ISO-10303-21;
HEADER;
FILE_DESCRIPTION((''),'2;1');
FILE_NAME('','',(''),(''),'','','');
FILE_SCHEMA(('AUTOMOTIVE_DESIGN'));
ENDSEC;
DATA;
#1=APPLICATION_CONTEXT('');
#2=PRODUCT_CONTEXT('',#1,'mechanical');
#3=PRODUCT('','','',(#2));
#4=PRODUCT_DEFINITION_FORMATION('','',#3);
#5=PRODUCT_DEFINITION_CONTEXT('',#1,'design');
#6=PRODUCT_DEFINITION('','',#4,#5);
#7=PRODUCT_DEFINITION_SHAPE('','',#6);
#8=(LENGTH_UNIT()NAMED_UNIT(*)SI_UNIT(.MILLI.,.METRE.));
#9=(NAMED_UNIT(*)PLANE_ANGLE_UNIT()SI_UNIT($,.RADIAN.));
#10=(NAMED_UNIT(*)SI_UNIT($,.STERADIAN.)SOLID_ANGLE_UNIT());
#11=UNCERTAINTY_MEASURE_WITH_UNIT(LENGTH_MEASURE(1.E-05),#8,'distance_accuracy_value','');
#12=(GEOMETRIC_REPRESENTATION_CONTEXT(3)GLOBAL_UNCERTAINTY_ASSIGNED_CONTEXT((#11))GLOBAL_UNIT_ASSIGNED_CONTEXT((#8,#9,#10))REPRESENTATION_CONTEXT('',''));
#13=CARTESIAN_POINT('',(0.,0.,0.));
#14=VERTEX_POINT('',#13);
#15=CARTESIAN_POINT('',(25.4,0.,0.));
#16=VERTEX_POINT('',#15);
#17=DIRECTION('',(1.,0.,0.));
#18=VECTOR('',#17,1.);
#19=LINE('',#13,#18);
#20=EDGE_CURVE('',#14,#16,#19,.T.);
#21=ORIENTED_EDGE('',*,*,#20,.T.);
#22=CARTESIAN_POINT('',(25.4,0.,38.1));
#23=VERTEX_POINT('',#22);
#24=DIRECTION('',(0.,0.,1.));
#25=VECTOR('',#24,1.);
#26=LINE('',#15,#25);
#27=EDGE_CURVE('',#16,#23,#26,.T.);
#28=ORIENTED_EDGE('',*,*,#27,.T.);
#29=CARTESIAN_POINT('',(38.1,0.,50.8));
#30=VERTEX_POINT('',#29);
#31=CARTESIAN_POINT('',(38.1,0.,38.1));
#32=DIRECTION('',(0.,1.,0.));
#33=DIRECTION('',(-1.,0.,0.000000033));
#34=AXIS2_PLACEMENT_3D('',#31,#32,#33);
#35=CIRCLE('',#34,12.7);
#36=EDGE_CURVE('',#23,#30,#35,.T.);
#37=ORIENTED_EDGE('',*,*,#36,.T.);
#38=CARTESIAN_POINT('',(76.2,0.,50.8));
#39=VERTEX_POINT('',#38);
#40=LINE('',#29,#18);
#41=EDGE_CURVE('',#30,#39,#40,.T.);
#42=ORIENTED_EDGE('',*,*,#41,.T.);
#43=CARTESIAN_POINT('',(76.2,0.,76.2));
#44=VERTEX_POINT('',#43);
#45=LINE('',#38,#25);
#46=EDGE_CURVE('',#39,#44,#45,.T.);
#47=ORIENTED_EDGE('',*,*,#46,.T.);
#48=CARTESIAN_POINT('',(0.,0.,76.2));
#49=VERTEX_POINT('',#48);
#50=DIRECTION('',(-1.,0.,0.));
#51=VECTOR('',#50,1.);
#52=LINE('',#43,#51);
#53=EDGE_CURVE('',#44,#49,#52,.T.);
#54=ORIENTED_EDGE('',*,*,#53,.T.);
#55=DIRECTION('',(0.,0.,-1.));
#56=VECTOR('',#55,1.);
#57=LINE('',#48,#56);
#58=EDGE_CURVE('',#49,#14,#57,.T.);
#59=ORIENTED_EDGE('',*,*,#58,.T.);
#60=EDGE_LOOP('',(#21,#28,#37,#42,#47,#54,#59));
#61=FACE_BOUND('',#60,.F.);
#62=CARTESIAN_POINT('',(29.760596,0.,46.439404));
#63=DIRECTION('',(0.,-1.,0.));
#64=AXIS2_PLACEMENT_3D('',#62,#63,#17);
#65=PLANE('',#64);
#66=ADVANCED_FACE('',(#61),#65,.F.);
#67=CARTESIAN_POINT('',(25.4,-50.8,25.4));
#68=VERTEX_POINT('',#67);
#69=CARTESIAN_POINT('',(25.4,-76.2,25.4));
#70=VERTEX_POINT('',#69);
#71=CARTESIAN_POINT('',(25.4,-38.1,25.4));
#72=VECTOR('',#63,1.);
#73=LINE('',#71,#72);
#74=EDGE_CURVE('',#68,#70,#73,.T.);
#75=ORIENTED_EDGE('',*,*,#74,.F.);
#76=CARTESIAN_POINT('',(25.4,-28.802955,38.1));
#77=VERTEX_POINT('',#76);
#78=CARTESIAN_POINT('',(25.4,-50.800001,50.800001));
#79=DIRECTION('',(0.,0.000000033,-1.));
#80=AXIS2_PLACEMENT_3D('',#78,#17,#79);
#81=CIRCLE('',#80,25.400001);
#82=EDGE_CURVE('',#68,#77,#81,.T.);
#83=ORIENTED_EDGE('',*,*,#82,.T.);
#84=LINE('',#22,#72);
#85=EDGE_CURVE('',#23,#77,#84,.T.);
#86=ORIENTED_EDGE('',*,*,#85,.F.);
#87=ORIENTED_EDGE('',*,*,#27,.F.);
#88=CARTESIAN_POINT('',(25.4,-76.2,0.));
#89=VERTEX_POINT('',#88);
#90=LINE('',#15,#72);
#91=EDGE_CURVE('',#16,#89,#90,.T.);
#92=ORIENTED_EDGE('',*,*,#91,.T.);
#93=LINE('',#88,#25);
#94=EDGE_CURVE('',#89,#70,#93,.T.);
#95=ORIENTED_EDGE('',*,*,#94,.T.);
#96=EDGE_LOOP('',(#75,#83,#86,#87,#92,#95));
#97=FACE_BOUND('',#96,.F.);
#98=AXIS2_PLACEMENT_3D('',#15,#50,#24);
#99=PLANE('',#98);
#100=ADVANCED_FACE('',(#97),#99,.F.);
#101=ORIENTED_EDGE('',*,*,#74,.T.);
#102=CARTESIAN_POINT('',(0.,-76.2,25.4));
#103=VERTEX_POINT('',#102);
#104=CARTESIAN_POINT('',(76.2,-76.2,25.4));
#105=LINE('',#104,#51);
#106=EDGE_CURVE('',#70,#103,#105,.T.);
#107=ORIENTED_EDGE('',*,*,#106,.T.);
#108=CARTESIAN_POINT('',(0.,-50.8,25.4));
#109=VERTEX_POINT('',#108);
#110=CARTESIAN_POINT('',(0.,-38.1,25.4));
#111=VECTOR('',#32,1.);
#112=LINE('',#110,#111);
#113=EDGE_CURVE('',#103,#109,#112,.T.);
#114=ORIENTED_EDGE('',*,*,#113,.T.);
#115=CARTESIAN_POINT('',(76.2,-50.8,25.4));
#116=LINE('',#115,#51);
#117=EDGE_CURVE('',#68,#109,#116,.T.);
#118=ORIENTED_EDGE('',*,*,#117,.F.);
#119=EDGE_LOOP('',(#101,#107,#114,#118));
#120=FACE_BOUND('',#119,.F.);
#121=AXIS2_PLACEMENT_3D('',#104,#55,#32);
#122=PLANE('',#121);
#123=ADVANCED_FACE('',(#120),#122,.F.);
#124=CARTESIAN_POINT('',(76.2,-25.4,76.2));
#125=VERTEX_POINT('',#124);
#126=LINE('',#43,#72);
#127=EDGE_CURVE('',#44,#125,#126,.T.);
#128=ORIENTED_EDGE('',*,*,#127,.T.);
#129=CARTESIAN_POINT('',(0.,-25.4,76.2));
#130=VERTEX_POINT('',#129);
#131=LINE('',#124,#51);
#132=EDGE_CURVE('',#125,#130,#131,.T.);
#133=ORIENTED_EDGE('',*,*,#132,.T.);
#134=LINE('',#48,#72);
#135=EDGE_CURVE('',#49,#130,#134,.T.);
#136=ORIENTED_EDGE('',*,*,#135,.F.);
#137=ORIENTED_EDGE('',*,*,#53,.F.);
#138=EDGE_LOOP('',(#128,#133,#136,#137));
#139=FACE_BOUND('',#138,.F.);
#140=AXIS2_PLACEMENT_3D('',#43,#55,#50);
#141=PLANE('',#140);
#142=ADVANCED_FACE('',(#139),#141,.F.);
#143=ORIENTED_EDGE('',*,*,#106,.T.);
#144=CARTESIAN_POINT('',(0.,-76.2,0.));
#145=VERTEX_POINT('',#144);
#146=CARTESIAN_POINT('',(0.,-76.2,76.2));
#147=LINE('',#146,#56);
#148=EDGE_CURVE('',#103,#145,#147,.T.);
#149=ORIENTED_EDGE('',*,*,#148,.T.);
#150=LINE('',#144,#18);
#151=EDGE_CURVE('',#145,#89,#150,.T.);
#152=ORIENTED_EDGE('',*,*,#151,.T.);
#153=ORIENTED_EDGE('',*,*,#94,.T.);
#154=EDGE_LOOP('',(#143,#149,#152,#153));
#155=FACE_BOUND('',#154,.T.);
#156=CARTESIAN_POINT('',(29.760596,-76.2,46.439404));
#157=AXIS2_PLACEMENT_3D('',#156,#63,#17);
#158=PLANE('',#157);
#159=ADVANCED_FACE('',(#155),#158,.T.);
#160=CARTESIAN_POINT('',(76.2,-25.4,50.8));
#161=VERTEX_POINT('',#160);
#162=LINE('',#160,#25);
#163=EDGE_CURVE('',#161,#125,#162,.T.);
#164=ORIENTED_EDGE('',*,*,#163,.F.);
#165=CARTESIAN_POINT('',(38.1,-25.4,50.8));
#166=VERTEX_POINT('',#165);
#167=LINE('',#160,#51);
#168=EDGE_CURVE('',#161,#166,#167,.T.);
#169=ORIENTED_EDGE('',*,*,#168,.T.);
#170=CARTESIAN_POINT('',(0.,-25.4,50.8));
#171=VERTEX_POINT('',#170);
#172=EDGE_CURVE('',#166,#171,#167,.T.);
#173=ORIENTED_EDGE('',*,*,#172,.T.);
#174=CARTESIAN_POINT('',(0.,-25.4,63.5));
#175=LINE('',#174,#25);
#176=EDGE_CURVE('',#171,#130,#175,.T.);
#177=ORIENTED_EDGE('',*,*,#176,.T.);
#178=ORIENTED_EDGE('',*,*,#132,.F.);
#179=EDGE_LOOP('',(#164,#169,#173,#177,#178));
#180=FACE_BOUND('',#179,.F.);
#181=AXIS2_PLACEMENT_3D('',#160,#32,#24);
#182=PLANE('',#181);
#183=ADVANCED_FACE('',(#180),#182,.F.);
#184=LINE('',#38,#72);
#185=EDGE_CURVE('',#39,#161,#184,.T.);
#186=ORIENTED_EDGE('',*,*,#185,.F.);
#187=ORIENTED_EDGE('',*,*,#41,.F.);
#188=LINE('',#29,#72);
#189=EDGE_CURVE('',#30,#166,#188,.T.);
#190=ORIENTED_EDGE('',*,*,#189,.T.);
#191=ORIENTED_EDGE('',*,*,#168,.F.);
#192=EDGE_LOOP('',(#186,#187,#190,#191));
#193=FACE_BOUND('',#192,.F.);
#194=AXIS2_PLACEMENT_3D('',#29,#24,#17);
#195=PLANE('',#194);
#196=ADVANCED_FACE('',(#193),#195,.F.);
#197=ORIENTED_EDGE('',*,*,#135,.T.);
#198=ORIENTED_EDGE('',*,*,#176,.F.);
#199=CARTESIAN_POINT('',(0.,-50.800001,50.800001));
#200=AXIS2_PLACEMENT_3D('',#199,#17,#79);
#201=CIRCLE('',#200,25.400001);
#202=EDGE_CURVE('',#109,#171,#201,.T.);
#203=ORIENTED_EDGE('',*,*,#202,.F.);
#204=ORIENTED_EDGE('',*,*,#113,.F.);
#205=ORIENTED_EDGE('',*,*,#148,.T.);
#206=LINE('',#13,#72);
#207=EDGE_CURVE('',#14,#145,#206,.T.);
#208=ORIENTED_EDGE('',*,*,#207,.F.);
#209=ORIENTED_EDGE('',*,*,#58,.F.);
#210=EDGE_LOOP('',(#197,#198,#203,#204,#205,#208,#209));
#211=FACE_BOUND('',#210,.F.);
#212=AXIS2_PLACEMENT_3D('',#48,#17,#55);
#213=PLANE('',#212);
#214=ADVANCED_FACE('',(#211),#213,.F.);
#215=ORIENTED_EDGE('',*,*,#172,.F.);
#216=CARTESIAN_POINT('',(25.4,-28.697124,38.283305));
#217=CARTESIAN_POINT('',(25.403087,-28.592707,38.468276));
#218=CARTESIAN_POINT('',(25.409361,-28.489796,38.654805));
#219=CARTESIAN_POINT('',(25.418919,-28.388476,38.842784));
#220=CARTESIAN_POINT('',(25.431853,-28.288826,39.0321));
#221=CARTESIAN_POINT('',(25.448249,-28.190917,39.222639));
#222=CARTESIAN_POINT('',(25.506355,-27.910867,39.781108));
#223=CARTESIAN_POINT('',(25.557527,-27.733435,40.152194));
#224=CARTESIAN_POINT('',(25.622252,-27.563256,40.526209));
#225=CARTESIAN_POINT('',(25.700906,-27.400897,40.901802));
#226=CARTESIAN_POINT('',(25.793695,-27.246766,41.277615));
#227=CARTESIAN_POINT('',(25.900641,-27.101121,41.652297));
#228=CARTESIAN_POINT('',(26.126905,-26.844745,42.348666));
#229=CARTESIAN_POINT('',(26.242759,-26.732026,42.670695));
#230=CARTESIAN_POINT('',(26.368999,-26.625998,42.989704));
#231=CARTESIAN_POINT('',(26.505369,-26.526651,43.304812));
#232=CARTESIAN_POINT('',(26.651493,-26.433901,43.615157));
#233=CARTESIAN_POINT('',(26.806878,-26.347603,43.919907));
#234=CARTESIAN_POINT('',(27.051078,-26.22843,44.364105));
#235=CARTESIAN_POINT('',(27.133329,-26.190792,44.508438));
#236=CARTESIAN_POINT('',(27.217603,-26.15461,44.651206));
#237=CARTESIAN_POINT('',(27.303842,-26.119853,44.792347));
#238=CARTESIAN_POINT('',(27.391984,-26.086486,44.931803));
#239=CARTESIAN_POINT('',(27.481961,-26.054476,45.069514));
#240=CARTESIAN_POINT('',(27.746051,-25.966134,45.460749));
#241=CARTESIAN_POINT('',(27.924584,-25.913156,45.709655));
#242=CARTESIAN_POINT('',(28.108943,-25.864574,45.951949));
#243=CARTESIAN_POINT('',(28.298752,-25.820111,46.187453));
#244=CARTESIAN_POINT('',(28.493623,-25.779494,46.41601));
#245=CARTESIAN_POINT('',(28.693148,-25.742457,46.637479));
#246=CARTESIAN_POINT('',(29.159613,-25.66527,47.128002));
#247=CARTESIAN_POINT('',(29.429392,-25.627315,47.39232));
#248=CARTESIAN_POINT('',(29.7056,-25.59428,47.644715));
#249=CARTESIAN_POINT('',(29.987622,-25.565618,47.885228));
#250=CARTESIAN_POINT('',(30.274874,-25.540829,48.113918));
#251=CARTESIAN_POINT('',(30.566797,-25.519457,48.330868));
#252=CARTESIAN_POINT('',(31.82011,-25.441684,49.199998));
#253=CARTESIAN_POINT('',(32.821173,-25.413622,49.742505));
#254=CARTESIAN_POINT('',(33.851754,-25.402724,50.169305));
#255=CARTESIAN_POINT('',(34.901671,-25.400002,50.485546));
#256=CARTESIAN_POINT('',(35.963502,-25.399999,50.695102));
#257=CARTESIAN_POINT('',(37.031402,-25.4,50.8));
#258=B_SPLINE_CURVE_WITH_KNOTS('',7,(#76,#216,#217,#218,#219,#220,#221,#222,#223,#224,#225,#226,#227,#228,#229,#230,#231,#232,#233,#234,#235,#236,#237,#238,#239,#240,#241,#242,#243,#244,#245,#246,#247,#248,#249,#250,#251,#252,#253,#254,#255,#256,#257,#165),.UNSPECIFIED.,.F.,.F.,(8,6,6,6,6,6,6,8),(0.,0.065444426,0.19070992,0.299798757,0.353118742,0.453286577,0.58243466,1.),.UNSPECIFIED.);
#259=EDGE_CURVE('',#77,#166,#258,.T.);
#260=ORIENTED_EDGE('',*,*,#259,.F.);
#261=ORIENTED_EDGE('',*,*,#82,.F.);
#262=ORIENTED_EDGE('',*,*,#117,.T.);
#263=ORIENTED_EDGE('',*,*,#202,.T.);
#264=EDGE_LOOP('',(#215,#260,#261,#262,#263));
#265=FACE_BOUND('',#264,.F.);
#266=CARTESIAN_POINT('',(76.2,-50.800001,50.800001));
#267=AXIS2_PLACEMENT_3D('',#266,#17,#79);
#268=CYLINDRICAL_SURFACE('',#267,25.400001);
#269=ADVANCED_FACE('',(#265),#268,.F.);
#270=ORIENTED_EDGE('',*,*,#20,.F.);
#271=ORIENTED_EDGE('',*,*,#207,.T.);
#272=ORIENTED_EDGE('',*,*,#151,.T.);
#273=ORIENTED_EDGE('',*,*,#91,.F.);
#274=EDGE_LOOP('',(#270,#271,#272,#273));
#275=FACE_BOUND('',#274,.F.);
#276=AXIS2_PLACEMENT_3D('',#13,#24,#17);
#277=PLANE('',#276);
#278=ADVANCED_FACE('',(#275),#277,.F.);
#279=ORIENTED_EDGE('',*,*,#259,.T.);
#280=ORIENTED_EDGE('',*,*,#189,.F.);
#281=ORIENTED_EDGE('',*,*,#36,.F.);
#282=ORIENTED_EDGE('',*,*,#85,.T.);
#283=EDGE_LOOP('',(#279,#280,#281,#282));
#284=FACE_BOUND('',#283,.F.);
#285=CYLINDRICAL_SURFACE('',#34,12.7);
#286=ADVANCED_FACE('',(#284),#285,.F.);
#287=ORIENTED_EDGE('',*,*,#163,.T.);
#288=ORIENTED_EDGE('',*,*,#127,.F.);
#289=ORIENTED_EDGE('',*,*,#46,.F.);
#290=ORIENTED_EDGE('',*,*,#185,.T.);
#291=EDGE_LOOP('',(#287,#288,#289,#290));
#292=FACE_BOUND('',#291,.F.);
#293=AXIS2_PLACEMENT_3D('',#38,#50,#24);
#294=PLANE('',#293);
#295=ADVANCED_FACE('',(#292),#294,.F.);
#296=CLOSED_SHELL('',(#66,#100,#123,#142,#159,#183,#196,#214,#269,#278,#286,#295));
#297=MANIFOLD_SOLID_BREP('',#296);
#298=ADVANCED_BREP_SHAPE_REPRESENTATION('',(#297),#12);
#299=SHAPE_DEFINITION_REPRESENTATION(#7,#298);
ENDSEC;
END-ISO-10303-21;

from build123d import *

# Parameters (mm, degrees)
F1_DEPTH = 76.2
F3_DEPTH = 76.201


with BuildPart() as f1:
    # F0 (on Front) → F1 (new body)
    with BuildSketch(Plane.XZ):
        with BuildLine():
            Line((0, 76.2), (0, 0))
            Line((0, 0), (25.4, 0))
            Line((25.4, 0), (25.4, 38.1))
            ThreePointArc((25.4, 38.1), (29.119744, 47.080256), (38.1, 50.8))
            Line((38.1, 50.8), (76.2, 50.8))
            Line((76.2, 50.8), (76.2, 76.2))
            Line((76.2, 76.2), (0, 76.2))
        make_face()
    extrude(amount=F1_DEPTH)

    # F2 (on face) → F3 (cut, through all)
    with BuildSketch(Plane.YZ.offset(76.2)):
        with BuildLine():
            Line((-76.2, 76.2), (-76.2, 25.4))
            Line((-76.2, 25.4), (-50.8, 25.4))
            ThreePointArc((-50.8, 25.4), (-32.839488, 32.839488), (-25.4, 50.8))
            Line((-25.4, 50.8), (-25.4, 76.2))
            Line((-25.4, 76.2), (-76.2, 76.2))
        make_face()
    extrude(amount=-F3_DEPTH, mode=Mode.SUBTRACT)


solid = f1.part
